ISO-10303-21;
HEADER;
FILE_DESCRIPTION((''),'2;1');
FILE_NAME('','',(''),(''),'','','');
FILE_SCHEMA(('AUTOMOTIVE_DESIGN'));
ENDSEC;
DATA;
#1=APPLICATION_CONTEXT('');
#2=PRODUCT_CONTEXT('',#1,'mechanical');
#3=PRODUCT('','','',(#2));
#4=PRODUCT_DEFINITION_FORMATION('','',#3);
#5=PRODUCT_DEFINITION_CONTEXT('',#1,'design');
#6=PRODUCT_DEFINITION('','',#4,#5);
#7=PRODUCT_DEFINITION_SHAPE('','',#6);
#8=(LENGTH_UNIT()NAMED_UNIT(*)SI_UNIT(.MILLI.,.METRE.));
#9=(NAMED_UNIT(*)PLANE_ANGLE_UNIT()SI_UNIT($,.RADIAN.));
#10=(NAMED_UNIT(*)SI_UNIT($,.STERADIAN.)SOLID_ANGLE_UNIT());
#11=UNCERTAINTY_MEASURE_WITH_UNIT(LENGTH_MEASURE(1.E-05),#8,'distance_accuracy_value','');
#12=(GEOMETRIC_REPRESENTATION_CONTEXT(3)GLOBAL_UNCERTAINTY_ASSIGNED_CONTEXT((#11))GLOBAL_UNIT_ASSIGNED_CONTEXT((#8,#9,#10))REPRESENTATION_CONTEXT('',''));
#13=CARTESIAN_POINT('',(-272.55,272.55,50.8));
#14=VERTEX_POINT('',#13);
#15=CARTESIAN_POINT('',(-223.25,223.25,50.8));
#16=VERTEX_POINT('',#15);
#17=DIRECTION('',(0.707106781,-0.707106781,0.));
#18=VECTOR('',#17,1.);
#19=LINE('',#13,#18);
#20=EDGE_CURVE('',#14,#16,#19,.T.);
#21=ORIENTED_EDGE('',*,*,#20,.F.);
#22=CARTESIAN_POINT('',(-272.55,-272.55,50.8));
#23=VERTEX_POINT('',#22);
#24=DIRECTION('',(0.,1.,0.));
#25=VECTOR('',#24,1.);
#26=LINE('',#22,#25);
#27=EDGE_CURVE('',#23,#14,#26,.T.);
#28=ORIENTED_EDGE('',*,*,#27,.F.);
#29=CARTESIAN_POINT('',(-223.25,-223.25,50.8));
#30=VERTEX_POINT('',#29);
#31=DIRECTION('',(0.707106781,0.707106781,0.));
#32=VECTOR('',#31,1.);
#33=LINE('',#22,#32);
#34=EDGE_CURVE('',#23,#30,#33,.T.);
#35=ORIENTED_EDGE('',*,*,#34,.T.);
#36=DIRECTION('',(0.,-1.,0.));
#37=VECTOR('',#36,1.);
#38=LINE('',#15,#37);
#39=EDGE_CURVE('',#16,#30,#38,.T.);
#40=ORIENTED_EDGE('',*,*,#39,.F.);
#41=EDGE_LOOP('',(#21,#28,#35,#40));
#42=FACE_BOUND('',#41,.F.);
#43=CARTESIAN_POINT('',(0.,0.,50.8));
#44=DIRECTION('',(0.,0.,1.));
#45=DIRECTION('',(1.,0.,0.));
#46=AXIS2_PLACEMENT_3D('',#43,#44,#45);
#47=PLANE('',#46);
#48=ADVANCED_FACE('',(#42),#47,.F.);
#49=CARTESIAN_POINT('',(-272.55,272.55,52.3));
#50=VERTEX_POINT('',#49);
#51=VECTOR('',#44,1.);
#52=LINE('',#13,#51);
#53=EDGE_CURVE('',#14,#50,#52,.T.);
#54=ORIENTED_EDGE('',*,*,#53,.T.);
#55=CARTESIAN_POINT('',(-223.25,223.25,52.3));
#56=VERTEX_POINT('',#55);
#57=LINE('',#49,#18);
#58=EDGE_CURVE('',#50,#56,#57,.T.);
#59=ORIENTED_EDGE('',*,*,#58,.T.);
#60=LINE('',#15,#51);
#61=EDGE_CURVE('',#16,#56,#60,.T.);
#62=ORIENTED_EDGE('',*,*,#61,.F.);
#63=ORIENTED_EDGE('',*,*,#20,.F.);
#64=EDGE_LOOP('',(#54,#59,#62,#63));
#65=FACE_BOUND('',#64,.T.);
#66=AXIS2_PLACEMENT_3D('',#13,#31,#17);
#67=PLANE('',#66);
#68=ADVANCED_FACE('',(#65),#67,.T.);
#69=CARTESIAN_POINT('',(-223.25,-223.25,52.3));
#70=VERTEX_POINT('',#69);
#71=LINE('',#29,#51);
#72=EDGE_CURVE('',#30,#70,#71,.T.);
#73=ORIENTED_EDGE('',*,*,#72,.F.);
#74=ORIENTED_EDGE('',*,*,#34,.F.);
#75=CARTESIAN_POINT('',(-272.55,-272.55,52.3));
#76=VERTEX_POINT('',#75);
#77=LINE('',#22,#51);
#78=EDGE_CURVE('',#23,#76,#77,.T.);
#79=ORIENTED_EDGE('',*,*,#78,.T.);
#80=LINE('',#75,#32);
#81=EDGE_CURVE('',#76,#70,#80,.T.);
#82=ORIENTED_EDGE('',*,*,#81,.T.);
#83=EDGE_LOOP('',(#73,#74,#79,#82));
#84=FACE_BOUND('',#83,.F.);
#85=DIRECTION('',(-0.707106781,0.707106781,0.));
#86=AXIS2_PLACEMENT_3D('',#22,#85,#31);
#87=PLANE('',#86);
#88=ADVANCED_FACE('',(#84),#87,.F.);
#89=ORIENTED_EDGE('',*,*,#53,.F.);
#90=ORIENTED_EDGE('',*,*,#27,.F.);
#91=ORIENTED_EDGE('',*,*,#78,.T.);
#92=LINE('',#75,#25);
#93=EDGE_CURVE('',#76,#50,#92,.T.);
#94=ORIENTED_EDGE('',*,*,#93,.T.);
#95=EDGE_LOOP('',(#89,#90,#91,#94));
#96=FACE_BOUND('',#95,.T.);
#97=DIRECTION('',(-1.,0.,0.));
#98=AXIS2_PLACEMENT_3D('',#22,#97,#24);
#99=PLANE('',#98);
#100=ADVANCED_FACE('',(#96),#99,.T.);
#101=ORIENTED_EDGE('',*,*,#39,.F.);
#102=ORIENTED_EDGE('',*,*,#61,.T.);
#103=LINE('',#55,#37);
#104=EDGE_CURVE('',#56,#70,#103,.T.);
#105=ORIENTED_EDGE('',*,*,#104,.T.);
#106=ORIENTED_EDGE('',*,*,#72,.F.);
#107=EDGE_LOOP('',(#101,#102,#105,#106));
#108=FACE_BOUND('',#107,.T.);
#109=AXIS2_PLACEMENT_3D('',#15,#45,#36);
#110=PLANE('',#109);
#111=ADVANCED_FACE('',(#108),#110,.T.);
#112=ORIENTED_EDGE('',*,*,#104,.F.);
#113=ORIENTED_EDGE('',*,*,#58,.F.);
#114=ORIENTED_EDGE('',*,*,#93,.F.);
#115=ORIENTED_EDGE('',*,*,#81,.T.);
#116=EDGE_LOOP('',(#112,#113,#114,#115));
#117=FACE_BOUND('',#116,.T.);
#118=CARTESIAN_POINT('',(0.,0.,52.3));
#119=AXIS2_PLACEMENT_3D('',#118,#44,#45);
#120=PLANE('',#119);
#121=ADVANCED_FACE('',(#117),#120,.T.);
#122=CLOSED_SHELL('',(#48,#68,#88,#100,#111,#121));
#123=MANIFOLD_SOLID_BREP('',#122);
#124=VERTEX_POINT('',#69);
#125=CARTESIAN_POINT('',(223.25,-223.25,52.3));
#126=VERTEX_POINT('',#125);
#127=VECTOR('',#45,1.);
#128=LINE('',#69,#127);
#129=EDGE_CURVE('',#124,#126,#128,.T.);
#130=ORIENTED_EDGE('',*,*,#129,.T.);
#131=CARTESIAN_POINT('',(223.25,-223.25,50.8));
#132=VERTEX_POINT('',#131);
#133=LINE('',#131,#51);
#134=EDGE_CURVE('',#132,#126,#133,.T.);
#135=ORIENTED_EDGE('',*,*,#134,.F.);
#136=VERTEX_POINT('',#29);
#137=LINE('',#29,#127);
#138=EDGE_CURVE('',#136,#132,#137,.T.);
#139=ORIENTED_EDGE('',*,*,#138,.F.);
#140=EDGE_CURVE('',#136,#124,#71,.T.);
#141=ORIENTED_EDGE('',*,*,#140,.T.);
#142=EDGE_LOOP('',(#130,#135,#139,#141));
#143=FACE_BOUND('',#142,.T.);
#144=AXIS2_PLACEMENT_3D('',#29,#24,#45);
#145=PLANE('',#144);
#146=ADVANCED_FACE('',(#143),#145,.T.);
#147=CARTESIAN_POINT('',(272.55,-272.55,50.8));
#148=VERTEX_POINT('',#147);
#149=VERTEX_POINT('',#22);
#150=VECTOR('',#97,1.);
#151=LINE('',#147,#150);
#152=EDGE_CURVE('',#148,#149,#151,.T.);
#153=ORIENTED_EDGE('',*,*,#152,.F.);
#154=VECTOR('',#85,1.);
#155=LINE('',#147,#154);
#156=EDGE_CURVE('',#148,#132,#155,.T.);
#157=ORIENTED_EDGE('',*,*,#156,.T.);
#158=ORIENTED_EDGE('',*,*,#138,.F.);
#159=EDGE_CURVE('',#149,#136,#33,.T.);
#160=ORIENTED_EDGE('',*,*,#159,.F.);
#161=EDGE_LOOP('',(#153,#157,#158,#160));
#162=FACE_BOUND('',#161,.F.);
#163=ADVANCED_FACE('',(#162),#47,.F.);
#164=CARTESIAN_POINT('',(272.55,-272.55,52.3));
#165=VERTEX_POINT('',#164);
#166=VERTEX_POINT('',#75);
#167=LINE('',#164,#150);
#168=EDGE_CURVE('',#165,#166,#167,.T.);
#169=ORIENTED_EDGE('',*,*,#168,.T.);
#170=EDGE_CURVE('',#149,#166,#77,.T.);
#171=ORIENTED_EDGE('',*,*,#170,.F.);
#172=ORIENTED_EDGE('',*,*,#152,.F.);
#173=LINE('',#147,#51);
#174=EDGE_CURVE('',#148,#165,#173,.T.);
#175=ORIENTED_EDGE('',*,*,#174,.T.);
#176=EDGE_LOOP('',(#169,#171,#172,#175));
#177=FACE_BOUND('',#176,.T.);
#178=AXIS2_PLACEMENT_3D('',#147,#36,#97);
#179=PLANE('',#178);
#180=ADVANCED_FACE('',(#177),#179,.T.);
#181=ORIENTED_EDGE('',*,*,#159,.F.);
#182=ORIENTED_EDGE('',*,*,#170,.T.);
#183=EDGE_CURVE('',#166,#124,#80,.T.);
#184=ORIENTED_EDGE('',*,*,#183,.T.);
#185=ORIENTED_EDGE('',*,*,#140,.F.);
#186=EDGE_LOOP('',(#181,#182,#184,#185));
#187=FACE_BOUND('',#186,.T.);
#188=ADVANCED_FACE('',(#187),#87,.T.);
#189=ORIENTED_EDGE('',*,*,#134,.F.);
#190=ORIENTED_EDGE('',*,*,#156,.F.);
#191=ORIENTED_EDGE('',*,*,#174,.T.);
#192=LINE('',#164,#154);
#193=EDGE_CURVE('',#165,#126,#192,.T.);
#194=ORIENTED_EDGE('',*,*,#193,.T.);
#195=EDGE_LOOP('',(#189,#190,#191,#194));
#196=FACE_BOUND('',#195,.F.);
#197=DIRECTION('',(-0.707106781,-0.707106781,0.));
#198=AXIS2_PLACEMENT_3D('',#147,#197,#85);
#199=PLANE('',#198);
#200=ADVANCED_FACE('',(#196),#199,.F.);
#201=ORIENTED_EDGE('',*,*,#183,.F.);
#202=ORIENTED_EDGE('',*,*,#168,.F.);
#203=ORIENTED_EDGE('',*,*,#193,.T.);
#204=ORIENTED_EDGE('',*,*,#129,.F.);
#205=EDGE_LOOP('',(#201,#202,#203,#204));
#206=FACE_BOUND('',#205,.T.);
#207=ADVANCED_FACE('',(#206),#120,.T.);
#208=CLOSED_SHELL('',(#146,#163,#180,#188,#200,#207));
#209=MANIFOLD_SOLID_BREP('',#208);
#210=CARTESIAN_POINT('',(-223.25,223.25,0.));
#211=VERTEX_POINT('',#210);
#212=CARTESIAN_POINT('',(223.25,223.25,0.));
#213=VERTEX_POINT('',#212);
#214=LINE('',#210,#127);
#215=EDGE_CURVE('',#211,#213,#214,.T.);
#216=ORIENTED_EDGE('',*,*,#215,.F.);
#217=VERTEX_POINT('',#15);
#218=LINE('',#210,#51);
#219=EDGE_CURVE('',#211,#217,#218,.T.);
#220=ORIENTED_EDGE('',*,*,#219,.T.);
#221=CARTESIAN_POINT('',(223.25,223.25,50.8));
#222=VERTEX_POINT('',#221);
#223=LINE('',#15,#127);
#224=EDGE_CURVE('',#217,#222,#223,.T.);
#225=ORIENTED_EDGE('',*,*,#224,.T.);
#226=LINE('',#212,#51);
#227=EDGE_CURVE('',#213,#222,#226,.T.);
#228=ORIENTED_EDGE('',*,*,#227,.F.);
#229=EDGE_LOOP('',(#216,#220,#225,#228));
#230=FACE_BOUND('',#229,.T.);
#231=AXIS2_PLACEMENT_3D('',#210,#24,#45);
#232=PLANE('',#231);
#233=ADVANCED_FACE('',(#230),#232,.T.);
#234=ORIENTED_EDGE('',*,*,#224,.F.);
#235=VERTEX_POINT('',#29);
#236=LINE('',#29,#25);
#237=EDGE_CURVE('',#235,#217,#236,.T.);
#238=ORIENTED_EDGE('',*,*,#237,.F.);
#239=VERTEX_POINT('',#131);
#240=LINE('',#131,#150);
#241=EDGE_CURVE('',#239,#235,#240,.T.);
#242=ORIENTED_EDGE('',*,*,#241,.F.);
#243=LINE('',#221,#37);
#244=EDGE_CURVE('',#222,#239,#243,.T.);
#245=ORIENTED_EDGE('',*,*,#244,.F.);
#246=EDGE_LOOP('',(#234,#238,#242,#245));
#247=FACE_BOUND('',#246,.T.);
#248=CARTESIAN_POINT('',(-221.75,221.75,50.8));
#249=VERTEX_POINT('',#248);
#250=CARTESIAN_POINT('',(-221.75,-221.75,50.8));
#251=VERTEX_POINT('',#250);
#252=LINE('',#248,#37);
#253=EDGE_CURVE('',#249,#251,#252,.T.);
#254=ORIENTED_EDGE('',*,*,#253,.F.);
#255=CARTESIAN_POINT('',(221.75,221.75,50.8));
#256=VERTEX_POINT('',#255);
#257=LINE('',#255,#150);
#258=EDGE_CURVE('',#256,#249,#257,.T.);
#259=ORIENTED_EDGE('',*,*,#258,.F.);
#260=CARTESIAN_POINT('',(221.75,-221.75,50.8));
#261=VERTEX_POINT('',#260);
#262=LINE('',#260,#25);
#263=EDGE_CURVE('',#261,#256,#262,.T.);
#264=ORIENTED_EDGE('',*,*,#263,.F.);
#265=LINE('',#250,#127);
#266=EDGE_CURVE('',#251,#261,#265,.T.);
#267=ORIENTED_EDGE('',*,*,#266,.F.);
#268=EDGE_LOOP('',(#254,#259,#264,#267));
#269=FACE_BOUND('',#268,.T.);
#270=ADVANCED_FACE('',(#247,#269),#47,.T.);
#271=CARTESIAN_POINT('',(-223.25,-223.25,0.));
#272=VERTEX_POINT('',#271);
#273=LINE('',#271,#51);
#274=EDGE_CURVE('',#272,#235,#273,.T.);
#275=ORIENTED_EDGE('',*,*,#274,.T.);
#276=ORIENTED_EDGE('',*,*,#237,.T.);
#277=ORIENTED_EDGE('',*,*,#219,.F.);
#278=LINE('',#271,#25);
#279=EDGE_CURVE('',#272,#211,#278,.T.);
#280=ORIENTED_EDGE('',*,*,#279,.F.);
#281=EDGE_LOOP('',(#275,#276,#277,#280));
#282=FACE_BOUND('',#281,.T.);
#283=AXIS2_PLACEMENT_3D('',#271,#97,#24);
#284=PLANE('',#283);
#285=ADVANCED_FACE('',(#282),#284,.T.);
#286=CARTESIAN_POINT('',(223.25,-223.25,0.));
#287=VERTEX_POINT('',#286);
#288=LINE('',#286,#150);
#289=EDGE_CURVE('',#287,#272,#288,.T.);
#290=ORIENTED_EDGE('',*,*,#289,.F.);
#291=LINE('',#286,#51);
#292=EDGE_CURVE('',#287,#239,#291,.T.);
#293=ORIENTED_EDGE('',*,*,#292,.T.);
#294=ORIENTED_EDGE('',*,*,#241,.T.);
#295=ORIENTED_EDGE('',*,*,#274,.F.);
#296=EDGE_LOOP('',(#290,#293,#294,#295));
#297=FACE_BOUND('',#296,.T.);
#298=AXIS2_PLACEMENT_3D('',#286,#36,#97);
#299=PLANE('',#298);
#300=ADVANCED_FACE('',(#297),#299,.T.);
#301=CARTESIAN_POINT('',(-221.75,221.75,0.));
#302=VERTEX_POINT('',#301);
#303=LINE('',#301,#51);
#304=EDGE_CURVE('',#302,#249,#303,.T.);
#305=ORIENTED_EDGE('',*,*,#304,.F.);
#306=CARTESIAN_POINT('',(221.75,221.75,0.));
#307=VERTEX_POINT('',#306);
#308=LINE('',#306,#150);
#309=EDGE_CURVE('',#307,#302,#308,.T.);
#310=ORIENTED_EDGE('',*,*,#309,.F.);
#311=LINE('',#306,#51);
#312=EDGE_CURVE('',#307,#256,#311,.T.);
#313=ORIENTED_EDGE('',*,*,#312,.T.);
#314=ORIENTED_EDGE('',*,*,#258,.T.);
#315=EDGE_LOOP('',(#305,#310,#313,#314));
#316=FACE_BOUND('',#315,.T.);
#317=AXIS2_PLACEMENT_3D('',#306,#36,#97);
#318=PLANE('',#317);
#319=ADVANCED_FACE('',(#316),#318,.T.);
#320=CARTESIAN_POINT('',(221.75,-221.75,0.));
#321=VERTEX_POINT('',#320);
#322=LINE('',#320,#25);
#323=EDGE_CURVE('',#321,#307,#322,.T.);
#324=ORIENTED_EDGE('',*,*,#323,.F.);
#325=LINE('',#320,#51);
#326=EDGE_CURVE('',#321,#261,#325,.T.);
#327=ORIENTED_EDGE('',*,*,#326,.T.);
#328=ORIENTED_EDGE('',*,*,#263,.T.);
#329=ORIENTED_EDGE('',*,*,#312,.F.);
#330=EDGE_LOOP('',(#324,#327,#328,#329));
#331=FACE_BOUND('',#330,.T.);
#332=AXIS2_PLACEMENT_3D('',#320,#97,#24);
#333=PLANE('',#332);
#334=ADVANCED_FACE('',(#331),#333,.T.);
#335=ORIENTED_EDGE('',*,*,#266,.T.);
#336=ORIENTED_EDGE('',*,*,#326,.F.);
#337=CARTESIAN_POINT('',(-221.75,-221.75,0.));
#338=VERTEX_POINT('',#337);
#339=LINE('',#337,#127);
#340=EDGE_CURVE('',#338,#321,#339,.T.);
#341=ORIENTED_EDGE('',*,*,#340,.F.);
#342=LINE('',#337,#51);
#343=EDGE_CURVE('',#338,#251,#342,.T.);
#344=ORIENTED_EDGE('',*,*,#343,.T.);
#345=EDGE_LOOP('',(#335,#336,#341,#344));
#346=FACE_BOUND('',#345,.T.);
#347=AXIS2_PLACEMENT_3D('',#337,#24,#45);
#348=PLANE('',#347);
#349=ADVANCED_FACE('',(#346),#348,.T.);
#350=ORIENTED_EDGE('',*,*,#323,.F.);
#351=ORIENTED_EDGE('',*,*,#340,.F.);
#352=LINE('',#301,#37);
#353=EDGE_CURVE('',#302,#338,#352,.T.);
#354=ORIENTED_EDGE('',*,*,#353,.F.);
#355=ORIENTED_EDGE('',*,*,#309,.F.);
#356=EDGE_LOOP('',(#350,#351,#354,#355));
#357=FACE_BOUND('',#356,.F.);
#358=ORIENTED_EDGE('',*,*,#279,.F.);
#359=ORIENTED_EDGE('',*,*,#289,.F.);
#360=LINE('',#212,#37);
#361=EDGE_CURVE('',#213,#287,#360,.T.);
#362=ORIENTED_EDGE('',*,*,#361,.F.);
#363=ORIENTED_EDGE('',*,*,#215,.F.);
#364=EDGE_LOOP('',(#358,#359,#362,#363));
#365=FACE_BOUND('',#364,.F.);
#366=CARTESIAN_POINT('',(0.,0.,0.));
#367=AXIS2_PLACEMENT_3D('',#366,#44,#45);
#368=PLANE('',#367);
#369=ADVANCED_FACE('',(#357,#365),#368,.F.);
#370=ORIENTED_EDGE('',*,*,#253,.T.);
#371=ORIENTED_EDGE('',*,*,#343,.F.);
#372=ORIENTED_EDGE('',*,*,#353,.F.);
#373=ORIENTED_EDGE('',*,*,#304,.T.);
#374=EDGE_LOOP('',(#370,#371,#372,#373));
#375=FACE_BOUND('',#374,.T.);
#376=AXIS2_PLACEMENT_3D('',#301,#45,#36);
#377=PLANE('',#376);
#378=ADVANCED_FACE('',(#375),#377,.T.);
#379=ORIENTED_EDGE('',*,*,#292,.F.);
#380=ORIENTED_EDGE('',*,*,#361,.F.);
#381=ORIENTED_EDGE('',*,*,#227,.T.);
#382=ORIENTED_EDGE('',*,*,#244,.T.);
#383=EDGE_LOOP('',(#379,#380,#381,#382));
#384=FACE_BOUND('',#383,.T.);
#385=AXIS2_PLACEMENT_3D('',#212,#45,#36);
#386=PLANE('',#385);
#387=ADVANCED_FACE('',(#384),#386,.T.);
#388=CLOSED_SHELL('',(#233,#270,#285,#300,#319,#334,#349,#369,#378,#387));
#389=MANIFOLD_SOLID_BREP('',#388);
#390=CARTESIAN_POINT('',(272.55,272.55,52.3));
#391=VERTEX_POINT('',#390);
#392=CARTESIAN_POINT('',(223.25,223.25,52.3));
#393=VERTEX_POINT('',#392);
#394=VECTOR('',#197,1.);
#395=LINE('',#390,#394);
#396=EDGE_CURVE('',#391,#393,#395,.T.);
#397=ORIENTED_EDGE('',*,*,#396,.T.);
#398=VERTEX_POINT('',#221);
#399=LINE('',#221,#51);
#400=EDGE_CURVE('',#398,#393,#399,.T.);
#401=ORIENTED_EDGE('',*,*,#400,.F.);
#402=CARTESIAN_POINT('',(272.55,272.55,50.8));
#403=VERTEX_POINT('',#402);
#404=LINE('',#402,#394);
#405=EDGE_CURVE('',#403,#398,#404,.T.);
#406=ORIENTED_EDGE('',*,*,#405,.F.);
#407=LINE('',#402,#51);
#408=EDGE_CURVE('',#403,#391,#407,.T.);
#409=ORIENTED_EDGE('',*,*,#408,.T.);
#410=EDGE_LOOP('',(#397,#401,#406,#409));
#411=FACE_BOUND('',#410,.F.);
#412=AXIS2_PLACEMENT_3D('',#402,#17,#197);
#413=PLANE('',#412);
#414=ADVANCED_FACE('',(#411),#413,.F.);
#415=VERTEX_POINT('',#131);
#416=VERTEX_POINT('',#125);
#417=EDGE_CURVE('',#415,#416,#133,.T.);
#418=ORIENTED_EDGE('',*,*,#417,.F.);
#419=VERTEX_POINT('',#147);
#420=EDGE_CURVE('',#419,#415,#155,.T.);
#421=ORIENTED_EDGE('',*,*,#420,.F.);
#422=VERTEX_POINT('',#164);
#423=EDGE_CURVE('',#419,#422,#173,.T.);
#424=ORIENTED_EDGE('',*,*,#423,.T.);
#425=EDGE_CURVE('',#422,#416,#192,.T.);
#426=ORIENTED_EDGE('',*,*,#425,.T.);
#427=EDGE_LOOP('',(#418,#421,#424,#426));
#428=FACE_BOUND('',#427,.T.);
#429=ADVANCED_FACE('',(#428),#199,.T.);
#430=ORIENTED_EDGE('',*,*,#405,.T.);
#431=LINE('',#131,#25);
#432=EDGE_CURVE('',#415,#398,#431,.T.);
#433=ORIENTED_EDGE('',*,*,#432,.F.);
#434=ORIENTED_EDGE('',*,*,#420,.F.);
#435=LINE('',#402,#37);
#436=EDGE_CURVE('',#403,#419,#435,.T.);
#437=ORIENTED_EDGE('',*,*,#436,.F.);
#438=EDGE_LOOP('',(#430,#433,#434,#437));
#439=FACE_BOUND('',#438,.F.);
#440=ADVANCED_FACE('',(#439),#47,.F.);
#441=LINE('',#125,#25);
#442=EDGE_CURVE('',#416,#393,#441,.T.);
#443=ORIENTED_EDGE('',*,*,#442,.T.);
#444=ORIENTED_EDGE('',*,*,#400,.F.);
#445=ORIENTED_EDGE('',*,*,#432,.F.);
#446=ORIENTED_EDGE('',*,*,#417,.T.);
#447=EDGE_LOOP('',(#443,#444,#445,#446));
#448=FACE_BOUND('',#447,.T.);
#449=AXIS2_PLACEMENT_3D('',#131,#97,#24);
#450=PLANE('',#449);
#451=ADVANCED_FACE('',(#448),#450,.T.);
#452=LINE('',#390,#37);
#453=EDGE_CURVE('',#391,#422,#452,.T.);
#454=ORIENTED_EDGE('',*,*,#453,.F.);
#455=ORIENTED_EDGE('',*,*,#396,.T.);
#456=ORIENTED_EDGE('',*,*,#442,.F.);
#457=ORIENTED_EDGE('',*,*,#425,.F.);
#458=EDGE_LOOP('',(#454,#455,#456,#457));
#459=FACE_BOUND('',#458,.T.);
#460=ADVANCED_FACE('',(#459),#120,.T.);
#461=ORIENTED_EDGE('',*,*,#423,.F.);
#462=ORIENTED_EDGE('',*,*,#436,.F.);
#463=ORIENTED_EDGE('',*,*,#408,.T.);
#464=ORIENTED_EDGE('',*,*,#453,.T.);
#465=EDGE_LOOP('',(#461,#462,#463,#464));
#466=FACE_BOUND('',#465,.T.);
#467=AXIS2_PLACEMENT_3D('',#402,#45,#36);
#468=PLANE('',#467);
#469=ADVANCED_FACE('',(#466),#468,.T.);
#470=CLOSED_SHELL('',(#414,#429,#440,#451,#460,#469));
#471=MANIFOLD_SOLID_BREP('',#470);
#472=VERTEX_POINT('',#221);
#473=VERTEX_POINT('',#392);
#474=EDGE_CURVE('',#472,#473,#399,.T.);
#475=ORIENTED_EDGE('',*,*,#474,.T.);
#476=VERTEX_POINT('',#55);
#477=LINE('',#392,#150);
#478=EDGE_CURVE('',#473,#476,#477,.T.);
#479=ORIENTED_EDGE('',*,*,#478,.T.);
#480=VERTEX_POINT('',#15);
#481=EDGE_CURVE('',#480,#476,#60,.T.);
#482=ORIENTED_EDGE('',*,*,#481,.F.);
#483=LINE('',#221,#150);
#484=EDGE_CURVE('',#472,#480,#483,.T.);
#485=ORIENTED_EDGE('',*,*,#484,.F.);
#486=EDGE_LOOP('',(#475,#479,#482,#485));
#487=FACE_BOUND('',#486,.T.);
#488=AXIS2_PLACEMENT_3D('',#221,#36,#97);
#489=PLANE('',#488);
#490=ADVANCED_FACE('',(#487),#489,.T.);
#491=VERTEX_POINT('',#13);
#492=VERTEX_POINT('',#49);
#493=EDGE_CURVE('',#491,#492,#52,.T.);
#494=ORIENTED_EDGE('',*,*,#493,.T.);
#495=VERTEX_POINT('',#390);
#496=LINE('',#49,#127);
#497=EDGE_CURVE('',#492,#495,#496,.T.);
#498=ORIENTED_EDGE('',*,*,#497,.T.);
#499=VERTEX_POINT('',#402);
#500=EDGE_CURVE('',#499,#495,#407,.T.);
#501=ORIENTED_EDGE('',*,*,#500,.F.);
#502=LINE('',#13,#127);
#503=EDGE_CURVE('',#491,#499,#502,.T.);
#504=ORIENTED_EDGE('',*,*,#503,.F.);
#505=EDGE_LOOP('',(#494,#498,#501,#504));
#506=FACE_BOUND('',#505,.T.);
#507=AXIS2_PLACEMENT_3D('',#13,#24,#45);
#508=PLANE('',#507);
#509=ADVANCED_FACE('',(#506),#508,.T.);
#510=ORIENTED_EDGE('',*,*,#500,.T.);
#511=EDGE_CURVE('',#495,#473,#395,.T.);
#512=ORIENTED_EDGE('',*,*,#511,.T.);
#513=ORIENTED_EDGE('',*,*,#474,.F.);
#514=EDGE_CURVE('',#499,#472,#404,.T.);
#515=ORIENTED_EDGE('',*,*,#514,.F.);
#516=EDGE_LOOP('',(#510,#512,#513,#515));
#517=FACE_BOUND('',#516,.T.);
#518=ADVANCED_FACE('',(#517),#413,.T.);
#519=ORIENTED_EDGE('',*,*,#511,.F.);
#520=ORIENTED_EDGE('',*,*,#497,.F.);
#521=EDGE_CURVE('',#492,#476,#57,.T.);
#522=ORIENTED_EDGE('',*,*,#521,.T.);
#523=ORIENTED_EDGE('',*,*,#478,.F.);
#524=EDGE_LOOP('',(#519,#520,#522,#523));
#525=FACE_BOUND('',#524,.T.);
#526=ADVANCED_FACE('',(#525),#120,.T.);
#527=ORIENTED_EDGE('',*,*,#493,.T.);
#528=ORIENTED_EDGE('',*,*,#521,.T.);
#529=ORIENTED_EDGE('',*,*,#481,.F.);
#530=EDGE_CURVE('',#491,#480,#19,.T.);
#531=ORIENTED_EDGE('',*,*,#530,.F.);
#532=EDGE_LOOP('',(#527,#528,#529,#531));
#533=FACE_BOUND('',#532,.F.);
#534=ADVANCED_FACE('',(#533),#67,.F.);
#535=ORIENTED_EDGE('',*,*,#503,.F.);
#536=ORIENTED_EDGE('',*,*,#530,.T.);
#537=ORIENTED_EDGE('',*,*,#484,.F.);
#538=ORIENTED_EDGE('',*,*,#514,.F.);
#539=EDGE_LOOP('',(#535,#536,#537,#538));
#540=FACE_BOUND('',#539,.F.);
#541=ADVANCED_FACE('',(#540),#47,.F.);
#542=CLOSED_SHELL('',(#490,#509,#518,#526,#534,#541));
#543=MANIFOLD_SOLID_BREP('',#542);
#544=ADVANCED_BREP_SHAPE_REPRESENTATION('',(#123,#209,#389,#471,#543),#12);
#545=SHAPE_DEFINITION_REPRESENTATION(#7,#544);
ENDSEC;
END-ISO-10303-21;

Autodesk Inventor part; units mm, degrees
ref_plane "YZ Plane" through (0, 0, 0) normal (1, 0, 0) x (0, 1, 0)
ref_plane "XZ Plane" through (0, 0, 0) normal (0, 1, 0) x (-1, 0, 0)
ref_plane "XY Plane" through (0, 0, 0) normal (0, 0, 1) x (1, 0, 0)
sketch "Sketch1" plane through (0, 0, 0) normal (0, 0, 1) x (1, 0, 0)
  line L0 (-221.75, -221.75) -> (221.75, -221.75)
  line L1 (221.75, -221.75) -> (221.75, 221.75)
  line L2 (221.75, 221.75) -> (-221.75, 221.75)
  line L3 (-221.75, 221.75) -> (-221.75, -221.75)
  line L4 (-221.75, -221.75) -> (221.75, 221.75) construction
  line L5 (221.75, -221.75) -> (-221.75, 221.75) construction
  line L6 (-223.25, 223.25) -> (223.25, 223.25)
  line L7 (223.25, 223.25) -> (223.25, -223.25)
  line L8 (223.25, -223.25) -> (-223.25, -223.25)
  line L9 (-223.25, -223.25) -> (-223.25, 223.25)
  point P0 (0, 0)
  dimension "d0" = 443.5
  dimension "d1" = 443.5
  dimension "d2" = 1.5
extrude "Extrusion1" add sketch "Sketch1" along normal blind 50.8
sketch "Sketch2" plane through (0, 0, 50.8) normal (0, 0, 1) x (1, 0, 0)
  line L0 (272.55, -272.55) -> (-272.55, -272.55)
  line L1 (-272.55, -272.55) -> (-272.55, 272.55)
  line L2 (-272.55, 272.55) -> (272.55, 272.55)
  line L3 (272.55, 272.55) -> (272.55, -272.55)
  line L4 (272.55, -272.55) -> (-272.55, 272.55) construction
  line L5 (-272.55, -272.55) -> (272.55, 272.55) construction
  line L6 (223.25, 223.25) -> (-223.25, 223.25) projected
  line L7 (-272.55, 272.55) -> (-223.25, 223.25)
  line L8 (-223.25, 223.25) -> (-223.25, -223.25) projected
  line L9 (-272.55, -272.55) -> (-223.25, -223.25)
  line L10 (-223.25, -223.25) -> (223.25, -223.25) projected
  line L11 (272.55, -272.55) -> (223.25, -223.25)
  line L12 (272.55, 272.55) -> (223.25, 223.25)
  line L13 (223.25, -223.25) -> (223.25, 223.25) projected
  point P0 (0, 0)
  dimension "d5" = 545.1
  dimension "d6" = 545.1
extrude "Extrusion2" add sketch "Sketch2" along normal blind 1.5 separate body contours L12 L6 L7 L2
extrude "Extrusion3" add sketch "Sketch2" along normal blind 1.5 separate body contours L11 L13 L12 L3
extrude "Extrusion4" add sketch "Sketch2" along normal blind 1.5 separate body contours L0 L9 L10 L11
extrude "Extrusion5" add sketch "Sketch2" along normal blind 1.5 separate body contours L1 L7 L8 L9
sketch "Sketch3" plane through (0, 0, 0) normal (0, 0, -1) x (-1, 0, 0)
  line L0 (-223.25, 223.25) -> (223.25, 223.25) projected
  line L1 (-223.25, -223.25) -> (-223.25, 223.25) projected
  line L2 (223.25, 223.25) -> (223.25, -223.25) projected
  line L3 (223.25, -223.25) -> (-223.25, -223.25) projected
  point P0 (0, 0)
properties part number "Test Section Frame"
